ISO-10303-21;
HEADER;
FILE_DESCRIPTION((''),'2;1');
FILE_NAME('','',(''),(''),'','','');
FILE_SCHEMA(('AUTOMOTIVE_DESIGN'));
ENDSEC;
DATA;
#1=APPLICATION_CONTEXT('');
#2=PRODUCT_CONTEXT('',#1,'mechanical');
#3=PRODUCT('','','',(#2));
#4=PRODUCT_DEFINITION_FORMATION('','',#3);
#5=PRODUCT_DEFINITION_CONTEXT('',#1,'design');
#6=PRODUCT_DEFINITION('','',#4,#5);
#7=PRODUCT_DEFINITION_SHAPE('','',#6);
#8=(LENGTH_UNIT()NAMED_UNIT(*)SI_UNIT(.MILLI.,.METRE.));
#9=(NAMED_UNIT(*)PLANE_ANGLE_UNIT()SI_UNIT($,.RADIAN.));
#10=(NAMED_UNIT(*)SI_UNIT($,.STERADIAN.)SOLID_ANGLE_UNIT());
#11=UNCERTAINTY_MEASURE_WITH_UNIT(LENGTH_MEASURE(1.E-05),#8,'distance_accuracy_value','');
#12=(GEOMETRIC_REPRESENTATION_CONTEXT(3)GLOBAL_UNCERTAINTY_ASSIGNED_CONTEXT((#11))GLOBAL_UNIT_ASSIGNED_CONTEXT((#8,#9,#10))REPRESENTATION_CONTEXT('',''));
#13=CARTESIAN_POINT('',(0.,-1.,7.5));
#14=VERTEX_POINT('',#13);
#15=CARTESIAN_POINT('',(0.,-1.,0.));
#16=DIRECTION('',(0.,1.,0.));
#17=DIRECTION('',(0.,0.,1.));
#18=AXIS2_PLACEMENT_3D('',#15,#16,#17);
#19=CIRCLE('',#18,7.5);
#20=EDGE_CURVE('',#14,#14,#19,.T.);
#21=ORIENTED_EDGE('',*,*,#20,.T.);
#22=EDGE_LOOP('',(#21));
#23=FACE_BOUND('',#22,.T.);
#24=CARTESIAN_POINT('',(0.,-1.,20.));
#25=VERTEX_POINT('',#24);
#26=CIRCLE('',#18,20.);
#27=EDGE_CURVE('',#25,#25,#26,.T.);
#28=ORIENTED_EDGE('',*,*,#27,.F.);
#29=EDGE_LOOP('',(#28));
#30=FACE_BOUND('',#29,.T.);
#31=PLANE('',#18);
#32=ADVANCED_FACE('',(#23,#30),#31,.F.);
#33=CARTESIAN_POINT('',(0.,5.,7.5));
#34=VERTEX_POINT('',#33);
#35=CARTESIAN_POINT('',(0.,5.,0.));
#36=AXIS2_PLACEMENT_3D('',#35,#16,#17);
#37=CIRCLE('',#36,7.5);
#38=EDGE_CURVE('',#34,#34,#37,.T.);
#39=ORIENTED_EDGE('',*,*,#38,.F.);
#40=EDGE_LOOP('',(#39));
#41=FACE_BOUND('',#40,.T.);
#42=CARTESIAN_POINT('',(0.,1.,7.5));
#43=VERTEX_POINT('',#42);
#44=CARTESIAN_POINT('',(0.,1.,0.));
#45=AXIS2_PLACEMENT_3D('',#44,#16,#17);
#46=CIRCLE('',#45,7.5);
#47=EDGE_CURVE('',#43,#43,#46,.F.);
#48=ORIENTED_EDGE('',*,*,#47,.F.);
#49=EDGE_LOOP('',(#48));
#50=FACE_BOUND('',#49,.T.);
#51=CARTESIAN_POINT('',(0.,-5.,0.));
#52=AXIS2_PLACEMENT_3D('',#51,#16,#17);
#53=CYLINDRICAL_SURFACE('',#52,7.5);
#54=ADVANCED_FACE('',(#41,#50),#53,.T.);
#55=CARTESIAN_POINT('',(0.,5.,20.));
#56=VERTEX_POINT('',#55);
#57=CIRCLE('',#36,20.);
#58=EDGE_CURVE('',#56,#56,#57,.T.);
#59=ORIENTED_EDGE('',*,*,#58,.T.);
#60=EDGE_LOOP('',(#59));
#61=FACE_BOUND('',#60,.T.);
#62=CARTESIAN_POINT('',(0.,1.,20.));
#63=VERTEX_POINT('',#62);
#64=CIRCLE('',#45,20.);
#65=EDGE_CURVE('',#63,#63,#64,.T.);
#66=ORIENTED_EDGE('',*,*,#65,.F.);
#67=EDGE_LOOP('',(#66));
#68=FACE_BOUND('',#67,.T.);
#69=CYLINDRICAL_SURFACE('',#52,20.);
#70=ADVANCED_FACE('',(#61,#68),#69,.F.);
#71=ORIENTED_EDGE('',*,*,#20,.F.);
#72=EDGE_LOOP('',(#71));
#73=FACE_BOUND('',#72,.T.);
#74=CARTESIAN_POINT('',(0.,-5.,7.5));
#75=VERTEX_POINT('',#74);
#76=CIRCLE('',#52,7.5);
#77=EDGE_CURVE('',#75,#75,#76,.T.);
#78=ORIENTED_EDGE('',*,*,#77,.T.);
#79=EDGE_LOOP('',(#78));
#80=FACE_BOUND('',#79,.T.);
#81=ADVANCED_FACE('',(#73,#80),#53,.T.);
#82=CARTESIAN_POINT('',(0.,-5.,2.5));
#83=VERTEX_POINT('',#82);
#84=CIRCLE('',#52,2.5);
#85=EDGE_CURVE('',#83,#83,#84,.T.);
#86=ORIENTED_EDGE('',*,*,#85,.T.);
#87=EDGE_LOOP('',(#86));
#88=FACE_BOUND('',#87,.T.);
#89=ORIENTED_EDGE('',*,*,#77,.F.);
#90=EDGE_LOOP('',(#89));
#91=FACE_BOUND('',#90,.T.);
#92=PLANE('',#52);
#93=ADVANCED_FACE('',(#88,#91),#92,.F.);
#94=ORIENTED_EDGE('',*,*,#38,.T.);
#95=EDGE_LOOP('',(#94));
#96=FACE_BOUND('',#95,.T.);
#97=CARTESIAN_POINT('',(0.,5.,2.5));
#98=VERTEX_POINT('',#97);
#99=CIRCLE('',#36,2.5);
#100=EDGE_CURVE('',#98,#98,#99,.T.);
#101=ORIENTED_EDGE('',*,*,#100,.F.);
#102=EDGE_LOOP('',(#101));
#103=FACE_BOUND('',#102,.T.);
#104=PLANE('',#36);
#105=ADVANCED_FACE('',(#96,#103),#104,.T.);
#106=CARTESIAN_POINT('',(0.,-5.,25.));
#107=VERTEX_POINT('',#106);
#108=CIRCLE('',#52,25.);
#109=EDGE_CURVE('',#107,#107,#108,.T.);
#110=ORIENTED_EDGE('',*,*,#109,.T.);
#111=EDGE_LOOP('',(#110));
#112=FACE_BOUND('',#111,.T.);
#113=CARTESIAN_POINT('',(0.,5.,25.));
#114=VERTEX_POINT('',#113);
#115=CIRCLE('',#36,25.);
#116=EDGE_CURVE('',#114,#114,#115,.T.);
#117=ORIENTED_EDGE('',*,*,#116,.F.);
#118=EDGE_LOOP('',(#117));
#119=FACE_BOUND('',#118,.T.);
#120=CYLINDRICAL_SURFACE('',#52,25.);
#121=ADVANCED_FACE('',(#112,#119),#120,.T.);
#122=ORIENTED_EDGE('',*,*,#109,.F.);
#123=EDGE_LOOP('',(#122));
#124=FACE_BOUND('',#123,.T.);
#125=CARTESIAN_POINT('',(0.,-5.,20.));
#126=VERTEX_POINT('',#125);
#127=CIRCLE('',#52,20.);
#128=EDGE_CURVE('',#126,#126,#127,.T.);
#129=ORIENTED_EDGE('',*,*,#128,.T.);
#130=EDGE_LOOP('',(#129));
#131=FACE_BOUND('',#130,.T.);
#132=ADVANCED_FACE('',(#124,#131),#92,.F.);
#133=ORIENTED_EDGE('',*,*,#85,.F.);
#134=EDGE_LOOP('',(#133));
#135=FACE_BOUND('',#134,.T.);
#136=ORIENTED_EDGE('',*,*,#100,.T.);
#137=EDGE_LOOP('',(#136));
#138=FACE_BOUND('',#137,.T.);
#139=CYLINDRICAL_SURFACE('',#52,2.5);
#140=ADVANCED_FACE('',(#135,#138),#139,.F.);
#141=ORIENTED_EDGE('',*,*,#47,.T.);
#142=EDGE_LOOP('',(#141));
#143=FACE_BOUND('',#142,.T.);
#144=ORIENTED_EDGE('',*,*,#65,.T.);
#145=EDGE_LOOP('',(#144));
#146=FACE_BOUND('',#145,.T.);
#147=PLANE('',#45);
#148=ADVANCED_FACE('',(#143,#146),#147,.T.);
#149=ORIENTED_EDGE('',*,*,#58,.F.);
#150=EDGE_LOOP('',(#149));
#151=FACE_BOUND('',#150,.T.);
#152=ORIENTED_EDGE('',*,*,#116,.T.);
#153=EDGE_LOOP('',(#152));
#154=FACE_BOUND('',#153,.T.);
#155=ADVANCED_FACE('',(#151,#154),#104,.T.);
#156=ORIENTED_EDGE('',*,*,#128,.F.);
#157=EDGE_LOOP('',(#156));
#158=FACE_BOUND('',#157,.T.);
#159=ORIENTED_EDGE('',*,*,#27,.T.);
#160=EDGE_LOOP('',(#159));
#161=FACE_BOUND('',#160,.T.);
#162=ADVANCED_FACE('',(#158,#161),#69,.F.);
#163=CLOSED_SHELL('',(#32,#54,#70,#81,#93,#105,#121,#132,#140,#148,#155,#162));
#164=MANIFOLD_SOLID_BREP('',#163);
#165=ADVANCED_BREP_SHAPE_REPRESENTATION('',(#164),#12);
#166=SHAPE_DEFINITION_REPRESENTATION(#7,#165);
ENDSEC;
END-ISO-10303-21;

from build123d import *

# Parameters (mm, degrees)
BOSS_EXTRUDE1_DEPTH        = 5
BOSS_EXTRUDE1_DEPTH_BACK   = 5
SKETCH1_R                  = 7.5
SKETCH1_R_2                = 2.5
BOSS_EXTRUDE1_2_DEPTH      = 5
BOSS_EXTRUDE1_2_DEPTH_BACK = 5
SKETCH1_R_3                = 25
SKETCH1_R_4                = 20
BOSS_EXTRUDE2_DEPTH        = 1
BOSS_EXTRUDE2_DEPTH_BACK   = 1
SKETCH1_3_R                = 20
SKETCH1_3_R_2              = 7.5


with BuildPart() as part:
    # Sketch1 → Boss-Extrude1 (new, two sides: drawn at the far end of the back side and taken through both)
    with BuildSketch(Plane(origin=(0, 0, 0), x_dir=(1, 0, 0), z_dir=(0, 1, 0)).offset(-BOSS_EXTRUDE1_DEPTH_BACK)):
        Circle(SKETCH1_R)
        Circle(SKETCH1_R_2, mode=Mode.SUBTRACT)
    extrude(amount=BOSS_EXTRUDE1_DEPTH + BOSS_EXTRUDE1_DEPTH_BACK)



with BuildPart() as body_2:
    # Sketch1 → Boss-Extrude1 2 (new, two sides: drawn at the far end of the back side and taken through both)
    with BuildSketch(Plane(origin=(0, 0, 0), x_dir=(1, 0, 0), z_dir=(0, 1, 0)).offset(-BOSS_EXTRUDE1_2_DEPTH_BACK)):
        Circle(SKETCH1_R_3)
        Circle(SKETCH1_R_4, mode=Mode.SUBTRACT)
    extrude(amount=BOSS_EXTRUDE1_2_DEPTH + BOSS_EXTRUDE1_2_DEPTH_BACK)


with BuildPart() as part_1:
    add(part.part)

    add(body_2.part)  # Boss-Extrude2 merges body 2
    # Sketch1<3> → Boss-Extrude2 (add, two sides: drawn at the far end of the back side and taken through both)
    with BuildSketch(Plane(origin=(0, 0, 0), x_dir=(1, 0, 0), z_dir=(0, 1, 0)).offset(-BOSS_EXTRUDE2_DEPTH_BACK)):
        Circle(SKETCH1_3_R)
        Circle(SKETCH1_3_R_2, mode=Mode.SUBTRACT)
    extrude(amount=BOSS_EXTRUDE2_DEPTH + BOSS_EXTRUDE2_DEPTH_BACK)


solid = part_1.part
